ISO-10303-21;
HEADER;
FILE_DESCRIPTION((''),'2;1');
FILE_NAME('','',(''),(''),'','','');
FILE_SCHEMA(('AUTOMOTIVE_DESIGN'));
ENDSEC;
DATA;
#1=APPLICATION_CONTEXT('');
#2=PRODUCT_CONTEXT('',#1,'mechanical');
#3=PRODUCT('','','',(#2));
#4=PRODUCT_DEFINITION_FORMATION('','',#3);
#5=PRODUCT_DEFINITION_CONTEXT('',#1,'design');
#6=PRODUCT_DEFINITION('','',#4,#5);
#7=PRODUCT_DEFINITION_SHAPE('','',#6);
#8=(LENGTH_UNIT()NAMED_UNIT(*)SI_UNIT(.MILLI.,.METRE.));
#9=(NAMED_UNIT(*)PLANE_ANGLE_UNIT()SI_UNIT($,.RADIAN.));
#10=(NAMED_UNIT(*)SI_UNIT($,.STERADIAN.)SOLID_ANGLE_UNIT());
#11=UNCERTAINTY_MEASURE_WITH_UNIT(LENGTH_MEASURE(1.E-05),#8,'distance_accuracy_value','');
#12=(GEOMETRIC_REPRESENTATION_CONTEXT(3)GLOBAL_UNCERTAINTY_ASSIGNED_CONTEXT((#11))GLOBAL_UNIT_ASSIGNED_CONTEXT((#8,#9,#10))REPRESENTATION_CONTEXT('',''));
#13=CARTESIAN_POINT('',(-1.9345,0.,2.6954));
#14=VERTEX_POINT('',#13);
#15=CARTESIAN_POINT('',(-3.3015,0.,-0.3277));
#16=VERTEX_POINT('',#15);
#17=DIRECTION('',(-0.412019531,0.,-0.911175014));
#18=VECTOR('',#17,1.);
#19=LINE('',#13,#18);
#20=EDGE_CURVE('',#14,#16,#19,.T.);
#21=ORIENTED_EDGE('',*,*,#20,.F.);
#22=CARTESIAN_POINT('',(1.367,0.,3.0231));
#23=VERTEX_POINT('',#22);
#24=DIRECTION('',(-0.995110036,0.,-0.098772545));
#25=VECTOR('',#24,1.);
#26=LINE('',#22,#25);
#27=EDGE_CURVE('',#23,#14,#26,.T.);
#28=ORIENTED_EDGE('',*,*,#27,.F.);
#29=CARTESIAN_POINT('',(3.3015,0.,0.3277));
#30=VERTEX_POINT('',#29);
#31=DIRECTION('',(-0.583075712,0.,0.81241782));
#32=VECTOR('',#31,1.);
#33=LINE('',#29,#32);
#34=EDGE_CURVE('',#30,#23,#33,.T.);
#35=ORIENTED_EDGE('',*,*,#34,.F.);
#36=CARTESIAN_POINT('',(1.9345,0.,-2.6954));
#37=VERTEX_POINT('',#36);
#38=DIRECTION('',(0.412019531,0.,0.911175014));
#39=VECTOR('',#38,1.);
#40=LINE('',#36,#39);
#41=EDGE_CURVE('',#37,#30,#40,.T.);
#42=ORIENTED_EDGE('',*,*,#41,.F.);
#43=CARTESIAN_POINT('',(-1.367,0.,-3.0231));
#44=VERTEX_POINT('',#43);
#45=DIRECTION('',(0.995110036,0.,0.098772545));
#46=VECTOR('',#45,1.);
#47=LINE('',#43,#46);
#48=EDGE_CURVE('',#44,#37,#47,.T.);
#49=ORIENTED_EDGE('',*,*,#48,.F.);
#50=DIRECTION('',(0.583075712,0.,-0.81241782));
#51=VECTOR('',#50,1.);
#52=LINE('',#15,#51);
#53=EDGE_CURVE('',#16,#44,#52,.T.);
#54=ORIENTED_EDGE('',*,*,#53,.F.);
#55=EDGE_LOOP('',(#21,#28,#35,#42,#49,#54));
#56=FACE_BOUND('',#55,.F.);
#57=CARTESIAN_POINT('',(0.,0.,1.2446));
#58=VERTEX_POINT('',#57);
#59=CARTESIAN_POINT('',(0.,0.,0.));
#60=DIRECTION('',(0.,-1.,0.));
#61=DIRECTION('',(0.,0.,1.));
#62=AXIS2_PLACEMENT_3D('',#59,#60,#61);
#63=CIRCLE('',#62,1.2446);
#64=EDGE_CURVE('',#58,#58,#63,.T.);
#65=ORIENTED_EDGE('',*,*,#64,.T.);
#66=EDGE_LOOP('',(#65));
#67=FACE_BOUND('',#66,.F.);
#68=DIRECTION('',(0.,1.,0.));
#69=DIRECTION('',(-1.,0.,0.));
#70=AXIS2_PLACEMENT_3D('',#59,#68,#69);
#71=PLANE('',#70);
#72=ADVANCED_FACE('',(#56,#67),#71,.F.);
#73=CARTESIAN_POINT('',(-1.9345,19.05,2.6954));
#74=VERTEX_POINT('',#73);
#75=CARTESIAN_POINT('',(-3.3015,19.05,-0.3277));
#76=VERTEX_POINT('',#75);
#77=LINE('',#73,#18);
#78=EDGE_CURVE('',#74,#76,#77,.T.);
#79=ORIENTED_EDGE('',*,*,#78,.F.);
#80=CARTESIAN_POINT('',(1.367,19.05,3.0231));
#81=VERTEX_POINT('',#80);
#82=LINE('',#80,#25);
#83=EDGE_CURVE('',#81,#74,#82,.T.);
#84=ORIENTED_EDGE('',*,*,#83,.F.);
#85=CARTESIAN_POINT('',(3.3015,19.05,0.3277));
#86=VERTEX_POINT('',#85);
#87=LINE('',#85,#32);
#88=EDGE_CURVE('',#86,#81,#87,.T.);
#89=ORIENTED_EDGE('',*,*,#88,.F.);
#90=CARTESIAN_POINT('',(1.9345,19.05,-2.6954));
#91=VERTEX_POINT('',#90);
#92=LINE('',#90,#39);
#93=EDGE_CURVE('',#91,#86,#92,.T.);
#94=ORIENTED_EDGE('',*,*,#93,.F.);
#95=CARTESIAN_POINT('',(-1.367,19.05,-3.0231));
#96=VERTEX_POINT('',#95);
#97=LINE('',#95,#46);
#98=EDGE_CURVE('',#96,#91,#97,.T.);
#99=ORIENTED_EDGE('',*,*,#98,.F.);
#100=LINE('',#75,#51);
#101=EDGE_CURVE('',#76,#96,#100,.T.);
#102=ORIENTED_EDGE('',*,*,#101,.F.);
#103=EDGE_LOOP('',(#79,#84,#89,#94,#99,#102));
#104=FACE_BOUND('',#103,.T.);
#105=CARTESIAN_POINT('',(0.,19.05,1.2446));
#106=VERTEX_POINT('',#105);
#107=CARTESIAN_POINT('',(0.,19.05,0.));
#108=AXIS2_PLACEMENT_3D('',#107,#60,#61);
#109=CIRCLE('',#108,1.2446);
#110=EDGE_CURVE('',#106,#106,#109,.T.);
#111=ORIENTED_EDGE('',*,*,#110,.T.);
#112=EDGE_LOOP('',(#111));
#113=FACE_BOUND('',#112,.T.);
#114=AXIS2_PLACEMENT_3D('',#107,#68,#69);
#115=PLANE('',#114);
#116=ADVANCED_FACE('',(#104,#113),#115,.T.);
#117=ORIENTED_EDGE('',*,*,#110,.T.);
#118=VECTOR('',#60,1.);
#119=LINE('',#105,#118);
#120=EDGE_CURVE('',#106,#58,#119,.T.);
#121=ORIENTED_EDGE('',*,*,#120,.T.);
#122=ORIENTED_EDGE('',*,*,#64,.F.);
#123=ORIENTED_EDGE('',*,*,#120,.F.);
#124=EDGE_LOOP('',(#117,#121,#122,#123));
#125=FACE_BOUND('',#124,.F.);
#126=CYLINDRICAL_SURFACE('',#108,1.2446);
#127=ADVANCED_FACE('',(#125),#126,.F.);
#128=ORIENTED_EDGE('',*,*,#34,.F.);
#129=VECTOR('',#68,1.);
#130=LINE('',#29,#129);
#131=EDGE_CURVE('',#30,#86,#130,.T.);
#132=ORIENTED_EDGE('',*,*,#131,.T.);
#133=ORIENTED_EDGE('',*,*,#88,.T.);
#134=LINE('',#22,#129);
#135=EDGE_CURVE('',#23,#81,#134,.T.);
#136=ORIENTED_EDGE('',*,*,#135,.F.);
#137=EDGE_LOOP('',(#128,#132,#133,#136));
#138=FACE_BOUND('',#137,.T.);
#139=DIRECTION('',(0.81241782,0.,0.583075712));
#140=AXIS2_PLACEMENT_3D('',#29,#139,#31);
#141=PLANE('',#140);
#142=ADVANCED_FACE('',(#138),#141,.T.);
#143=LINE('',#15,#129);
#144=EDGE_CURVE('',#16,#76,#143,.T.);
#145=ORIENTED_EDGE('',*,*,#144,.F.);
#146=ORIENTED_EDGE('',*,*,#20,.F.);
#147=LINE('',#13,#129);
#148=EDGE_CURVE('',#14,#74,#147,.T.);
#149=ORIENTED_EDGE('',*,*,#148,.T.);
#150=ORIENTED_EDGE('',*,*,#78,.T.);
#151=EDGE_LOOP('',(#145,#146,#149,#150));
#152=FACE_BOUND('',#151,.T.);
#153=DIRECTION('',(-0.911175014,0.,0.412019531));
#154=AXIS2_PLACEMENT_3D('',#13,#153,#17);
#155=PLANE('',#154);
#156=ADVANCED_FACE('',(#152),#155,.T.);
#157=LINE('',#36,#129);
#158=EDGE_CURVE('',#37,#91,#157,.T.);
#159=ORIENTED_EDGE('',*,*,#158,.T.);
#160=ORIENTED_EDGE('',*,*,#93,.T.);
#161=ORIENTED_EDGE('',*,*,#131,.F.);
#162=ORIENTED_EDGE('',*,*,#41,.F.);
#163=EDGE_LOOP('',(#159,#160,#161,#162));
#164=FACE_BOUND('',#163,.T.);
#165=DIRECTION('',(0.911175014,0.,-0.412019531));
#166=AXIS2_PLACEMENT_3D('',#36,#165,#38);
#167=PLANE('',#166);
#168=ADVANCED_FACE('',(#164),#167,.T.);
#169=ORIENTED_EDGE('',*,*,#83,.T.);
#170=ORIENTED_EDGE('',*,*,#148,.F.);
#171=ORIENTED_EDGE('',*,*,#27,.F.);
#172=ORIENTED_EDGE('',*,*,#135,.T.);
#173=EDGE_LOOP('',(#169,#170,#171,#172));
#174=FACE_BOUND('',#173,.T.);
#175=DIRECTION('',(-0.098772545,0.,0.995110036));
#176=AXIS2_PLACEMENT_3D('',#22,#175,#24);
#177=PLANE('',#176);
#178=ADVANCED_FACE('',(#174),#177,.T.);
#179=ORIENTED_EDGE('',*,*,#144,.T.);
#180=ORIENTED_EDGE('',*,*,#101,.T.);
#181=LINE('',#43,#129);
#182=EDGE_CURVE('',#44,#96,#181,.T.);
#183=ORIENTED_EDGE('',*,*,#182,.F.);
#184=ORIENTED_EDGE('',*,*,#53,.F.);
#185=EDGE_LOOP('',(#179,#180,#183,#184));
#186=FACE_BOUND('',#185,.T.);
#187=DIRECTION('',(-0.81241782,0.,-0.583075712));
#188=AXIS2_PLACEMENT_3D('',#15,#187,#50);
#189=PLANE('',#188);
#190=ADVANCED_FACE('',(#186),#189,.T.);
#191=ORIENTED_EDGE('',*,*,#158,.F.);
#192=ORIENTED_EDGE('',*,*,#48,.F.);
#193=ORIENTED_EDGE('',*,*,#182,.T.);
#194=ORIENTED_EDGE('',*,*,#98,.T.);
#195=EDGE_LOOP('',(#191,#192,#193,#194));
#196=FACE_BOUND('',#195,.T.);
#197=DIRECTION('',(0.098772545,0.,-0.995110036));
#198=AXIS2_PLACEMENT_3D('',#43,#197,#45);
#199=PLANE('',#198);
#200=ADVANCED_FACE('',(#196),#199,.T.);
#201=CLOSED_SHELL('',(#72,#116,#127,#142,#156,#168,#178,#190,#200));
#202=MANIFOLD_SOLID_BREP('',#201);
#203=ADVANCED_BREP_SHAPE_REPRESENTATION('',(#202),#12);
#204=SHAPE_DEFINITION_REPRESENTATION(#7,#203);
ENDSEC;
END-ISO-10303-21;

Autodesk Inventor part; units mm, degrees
ref_plane "YZ Plane" through (0, 0, 0) normal (1, 0, 0) x (0, 1, 0)
ref_plane "XZ Plane" through (0, 0, 0) normal (0, 1, 0) x (-1, 0, 0)
ref_plane "XY Plane" through (0, 0, 0) normal (0, 0, 1) x (1, 0, 0)
sketch "Sketch1" plane through (0, 0, 0) normal (0, 1, 0) x (-1, 0, 0)
  line L0 (1.9345, 2.6954) -> (3.3015, -0.3277)
  line L1 (3.3015, -0.3277) -> (1.367, -3.0231)
  line L2 (1.367, -3.0231) -> (-1.9345, -2.6954)
  line L3 (-1.9345, -2.6954) -> (-3.3015, 0.3277)
  line L4 (-3.3015, 0.3277) -> (-1.367, 3.0231)
  line L5 (-1.367, 3.0231) -> (1.9345, 2.6954)
  point P0 (0, 0)
  point P1 (0, 0)
extrude "Extrusion1" add sketch "Sketch1" along normal blind 19.05
sketch "Sketch2" plane through (0, 19.05, 0) normal (0, 1, 0) x (1, 0, 0)
  point P0 (0, 0)
  point P1 (0, 0)
hole "Hole1" at (0, 19.05, 0) direction (0, -1, 0) diameter 2.4892 end through all
properties part number "standoff"
